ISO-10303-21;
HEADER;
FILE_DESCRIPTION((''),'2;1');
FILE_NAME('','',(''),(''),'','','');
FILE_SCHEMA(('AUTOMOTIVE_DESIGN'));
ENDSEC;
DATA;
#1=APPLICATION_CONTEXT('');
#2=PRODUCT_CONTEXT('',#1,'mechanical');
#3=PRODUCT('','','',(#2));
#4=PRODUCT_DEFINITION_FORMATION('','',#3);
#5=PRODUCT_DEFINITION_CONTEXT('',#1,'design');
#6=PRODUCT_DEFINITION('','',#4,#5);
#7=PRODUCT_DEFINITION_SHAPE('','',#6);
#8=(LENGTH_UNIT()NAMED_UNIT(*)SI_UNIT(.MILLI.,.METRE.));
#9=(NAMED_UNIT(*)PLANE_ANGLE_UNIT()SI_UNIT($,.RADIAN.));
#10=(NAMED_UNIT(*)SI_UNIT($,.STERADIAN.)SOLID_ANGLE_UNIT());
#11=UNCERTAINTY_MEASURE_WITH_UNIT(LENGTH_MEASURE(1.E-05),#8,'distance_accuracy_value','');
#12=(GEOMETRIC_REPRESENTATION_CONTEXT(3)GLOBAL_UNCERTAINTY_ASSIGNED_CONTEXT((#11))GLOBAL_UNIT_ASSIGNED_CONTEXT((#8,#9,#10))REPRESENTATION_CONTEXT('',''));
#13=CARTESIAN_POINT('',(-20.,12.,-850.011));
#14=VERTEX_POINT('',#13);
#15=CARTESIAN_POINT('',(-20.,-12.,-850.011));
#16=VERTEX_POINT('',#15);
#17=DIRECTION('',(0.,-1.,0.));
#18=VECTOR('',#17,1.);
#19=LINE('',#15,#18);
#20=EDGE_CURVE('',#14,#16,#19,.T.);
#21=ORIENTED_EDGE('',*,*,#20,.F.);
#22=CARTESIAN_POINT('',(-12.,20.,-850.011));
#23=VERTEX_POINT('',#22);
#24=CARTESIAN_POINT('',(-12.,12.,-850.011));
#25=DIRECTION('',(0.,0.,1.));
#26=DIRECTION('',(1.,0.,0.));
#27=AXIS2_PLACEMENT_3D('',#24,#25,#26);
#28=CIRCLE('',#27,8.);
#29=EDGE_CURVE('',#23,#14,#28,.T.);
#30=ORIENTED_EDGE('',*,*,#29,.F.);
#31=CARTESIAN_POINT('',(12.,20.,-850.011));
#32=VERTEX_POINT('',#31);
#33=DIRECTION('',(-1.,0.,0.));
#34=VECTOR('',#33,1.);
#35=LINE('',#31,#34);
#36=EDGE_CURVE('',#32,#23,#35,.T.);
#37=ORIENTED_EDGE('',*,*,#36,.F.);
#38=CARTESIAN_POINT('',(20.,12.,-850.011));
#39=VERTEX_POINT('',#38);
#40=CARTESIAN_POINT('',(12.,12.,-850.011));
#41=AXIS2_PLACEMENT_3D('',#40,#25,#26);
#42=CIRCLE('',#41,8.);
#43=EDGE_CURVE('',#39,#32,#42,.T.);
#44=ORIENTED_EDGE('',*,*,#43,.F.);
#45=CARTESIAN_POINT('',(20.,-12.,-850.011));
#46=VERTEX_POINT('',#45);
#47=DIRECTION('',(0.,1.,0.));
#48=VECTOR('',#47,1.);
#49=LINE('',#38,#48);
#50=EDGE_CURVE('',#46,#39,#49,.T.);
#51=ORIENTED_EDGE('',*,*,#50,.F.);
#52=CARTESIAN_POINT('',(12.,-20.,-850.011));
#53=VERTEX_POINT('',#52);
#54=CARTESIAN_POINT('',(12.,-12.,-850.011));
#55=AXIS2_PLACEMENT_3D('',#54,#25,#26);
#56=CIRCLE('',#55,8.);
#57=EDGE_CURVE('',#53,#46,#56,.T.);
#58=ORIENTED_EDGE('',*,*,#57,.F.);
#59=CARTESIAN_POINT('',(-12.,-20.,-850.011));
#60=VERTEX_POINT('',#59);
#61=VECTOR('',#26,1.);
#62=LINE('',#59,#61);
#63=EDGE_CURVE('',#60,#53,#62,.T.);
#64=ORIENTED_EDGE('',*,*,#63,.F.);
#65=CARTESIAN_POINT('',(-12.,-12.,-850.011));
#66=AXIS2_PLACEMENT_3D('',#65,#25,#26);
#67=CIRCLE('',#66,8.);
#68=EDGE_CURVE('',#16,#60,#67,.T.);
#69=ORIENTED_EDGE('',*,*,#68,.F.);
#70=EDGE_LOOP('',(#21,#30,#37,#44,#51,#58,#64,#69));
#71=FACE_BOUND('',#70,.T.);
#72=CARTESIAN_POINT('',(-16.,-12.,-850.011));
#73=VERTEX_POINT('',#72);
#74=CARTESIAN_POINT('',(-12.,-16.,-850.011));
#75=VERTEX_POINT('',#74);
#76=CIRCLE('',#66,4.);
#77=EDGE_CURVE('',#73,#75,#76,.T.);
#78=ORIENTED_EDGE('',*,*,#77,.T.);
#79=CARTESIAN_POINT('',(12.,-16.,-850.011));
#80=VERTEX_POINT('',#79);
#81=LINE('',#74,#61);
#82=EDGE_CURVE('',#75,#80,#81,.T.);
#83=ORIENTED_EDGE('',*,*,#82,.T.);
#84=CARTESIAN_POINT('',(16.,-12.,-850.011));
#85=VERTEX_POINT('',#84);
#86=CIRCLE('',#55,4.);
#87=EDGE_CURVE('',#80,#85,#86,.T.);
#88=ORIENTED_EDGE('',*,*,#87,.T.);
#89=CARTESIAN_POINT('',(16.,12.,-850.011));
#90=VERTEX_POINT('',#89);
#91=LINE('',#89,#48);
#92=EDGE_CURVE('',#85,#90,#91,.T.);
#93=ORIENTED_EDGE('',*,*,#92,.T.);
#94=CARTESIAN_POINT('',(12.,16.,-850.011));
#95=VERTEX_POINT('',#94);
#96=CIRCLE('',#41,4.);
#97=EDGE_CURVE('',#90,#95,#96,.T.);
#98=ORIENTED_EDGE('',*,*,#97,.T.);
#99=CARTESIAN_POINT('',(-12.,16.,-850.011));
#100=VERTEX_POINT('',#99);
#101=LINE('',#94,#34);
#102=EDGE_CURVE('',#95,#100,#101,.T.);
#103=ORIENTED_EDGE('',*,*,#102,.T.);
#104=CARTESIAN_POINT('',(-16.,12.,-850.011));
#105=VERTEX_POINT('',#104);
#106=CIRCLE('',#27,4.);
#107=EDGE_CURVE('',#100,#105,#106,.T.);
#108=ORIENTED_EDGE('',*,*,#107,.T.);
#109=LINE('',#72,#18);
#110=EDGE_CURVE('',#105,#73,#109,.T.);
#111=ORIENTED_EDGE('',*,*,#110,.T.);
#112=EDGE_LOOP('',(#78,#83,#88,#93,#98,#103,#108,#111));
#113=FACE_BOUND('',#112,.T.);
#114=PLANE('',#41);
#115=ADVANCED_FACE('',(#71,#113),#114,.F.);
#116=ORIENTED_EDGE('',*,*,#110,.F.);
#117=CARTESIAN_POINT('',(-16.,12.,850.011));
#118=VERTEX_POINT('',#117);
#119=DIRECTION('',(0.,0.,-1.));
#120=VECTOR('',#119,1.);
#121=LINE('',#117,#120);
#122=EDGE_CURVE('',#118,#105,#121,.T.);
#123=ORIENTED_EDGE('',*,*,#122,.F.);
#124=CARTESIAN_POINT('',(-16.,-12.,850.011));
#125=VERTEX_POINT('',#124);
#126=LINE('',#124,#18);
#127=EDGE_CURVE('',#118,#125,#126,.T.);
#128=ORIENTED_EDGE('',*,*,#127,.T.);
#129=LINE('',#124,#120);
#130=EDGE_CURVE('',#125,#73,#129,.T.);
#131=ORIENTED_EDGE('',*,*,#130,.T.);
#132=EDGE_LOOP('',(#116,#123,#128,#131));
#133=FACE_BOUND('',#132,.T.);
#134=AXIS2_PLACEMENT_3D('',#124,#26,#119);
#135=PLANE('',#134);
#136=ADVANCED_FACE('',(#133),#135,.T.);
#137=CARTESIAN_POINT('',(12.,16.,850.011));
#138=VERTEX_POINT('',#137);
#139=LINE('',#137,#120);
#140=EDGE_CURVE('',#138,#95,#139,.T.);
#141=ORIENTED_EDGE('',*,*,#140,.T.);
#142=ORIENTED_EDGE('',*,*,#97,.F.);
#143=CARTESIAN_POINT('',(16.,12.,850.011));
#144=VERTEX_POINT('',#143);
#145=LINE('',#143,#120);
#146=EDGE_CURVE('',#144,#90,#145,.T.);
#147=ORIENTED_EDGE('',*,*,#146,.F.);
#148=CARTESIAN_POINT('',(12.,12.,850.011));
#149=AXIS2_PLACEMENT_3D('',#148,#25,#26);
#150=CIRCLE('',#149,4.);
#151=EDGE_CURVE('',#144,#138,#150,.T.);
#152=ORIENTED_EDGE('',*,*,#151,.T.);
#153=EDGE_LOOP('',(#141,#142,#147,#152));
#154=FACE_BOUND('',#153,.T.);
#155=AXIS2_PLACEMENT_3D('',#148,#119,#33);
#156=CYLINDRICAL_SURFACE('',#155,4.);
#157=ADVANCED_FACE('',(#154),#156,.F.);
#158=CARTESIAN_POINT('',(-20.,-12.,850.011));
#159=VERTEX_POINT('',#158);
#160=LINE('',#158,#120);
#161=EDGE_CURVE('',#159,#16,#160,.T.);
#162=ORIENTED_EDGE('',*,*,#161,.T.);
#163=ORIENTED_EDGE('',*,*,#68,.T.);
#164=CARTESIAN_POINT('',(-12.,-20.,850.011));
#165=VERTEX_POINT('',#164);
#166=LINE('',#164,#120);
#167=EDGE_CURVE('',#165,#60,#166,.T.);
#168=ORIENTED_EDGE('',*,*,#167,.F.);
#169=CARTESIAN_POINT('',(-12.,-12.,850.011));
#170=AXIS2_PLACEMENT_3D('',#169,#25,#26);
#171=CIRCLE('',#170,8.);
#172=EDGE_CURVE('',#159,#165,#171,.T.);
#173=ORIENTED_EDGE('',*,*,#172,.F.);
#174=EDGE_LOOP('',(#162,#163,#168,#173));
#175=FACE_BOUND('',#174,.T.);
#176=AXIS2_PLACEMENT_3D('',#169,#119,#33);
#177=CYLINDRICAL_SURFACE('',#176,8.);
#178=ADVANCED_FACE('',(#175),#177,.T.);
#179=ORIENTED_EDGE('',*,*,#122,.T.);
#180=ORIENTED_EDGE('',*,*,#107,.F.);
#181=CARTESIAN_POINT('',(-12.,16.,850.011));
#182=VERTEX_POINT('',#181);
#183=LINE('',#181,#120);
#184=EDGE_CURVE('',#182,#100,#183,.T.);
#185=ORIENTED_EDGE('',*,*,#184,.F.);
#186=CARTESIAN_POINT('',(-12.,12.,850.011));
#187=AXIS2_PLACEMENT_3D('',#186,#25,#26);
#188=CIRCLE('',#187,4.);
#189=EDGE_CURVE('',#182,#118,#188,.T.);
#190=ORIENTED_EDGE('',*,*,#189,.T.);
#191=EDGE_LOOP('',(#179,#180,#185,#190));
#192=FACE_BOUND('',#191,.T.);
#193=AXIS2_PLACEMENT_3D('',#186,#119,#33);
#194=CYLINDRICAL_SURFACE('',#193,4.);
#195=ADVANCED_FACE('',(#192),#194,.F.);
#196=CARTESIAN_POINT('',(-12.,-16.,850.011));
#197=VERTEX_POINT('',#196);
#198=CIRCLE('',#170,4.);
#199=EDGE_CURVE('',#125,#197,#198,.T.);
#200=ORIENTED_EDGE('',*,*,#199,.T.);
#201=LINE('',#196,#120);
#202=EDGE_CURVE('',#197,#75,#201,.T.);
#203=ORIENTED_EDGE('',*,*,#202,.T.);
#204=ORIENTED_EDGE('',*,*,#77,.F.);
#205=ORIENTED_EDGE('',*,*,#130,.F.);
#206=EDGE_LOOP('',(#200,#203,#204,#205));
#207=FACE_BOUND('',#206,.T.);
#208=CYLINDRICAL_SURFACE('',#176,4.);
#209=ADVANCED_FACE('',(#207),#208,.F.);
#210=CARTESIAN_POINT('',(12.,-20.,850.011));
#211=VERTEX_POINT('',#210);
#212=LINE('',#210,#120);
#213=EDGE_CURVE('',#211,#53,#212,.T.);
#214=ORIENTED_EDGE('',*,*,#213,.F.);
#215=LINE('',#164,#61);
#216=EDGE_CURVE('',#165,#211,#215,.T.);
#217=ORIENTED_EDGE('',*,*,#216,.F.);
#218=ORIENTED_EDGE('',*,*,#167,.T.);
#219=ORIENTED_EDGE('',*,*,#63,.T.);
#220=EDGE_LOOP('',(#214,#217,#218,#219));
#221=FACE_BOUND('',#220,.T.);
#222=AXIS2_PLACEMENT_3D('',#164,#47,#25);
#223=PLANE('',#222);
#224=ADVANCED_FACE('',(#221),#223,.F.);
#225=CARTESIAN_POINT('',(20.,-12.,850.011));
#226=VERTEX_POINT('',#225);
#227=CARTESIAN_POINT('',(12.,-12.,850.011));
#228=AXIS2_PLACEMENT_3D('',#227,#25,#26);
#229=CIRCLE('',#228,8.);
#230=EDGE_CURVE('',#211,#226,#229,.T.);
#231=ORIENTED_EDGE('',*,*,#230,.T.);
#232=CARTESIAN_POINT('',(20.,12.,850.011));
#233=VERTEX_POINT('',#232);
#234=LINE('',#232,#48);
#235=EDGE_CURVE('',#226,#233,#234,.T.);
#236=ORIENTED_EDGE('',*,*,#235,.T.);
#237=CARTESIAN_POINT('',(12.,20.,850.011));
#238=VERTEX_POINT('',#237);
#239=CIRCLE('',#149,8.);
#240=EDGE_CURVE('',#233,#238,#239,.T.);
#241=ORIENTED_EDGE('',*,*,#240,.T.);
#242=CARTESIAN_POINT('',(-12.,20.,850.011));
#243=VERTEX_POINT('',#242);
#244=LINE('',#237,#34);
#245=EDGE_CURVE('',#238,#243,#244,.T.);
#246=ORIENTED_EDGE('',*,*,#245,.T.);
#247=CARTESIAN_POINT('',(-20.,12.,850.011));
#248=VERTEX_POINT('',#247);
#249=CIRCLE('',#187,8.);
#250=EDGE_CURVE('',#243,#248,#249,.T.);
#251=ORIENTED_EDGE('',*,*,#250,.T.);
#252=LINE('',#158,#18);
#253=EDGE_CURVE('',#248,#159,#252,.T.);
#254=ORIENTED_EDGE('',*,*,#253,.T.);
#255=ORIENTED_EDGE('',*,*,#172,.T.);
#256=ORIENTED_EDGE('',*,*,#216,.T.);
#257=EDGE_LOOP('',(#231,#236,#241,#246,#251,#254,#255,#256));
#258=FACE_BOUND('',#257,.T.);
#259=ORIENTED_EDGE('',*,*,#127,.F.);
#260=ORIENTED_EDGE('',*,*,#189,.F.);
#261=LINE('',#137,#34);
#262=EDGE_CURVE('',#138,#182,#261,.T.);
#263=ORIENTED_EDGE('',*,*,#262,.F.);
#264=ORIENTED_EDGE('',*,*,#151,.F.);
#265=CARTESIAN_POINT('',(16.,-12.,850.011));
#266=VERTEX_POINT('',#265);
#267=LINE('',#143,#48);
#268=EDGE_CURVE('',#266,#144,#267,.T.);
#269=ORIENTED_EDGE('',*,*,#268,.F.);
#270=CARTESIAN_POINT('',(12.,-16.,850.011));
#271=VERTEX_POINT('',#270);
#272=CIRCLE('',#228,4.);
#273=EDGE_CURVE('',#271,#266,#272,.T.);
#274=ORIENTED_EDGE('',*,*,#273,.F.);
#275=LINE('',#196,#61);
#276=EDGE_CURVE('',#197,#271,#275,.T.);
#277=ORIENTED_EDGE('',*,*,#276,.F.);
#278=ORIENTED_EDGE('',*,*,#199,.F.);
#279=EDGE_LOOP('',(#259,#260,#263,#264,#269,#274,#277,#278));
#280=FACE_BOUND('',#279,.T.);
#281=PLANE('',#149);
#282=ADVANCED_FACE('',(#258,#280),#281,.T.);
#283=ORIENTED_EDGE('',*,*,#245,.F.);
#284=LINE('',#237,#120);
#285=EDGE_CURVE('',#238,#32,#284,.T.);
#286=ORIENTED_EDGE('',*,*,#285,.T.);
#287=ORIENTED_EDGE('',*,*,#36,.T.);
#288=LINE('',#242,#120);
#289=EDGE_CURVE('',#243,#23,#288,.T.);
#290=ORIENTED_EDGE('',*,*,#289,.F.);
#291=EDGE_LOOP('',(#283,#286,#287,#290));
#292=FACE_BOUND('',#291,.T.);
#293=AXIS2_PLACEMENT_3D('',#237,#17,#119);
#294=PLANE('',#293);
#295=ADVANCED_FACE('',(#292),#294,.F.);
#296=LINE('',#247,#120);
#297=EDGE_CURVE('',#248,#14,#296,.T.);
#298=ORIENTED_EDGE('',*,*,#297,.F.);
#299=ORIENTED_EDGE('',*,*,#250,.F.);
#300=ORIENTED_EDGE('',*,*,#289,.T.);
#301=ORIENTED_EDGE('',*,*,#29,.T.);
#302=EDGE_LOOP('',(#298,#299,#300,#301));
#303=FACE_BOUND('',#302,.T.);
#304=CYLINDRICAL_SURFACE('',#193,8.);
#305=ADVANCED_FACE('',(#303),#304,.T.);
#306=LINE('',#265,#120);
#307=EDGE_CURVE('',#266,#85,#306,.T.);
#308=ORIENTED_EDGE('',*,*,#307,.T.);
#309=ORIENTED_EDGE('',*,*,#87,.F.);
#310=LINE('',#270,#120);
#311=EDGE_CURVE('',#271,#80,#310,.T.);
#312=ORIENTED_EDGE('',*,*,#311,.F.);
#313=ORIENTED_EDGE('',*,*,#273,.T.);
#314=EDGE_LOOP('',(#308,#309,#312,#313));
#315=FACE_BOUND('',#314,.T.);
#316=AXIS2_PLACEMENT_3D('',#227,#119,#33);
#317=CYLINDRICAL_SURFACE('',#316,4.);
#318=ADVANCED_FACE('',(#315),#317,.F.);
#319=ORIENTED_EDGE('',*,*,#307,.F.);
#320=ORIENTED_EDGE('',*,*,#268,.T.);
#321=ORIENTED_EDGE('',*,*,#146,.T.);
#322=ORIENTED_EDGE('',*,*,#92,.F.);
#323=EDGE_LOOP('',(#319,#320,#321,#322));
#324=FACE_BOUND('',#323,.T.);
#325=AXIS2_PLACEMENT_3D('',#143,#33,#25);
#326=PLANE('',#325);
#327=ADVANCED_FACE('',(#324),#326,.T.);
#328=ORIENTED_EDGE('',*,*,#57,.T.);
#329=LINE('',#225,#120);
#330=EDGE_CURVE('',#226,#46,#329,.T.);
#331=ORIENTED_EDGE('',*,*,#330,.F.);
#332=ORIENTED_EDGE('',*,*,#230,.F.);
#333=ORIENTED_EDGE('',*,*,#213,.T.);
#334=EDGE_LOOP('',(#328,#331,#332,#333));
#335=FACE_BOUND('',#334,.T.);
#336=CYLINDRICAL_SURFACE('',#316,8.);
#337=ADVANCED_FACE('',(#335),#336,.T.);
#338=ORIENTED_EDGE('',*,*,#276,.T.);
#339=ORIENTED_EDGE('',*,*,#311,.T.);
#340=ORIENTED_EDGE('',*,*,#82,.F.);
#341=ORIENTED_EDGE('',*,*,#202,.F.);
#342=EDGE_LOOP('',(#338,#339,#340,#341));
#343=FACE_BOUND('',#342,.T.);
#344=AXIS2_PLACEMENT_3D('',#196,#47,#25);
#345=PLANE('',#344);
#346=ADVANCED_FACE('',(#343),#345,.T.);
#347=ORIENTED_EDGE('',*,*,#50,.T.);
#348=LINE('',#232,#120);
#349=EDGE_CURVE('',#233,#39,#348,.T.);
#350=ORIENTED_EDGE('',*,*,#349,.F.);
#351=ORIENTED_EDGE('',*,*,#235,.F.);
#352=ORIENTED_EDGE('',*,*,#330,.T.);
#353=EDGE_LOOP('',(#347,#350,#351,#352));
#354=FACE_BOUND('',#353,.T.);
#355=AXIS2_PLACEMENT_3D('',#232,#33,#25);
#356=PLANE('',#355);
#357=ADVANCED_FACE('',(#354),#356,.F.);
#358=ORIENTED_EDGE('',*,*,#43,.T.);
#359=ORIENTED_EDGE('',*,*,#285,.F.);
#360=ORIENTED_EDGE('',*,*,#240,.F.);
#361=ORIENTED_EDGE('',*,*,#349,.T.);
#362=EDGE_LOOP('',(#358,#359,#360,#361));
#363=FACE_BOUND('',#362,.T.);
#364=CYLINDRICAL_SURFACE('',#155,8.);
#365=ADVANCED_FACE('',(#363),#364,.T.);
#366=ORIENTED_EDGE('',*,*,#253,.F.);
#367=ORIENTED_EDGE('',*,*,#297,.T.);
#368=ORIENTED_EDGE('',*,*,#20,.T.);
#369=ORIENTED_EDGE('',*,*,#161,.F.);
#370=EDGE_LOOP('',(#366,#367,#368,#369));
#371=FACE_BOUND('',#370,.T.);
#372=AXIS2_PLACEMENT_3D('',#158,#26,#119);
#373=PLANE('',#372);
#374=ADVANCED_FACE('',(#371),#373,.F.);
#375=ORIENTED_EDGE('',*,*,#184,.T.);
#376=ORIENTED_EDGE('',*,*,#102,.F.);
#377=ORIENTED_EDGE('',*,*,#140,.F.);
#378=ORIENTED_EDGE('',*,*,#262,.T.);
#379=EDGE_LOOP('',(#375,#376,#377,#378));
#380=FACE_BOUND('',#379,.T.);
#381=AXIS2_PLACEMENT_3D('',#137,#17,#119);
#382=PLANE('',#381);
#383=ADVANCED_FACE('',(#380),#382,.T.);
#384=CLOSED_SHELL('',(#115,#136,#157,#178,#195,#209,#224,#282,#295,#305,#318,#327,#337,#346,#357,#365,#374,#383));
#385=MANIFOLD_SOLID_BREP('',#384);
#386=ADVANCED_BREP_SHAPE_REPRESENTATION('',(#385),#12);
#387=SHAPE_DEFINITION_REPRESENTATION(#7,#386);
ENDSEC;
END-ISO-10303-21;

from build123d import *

# Parameters (mm, degrees)
SQUARE_TUBE_40_X_40_X_4_2_DEPTH = 1700.022


with BuildPart() as part:
    # Sketch13 → Square tube 40 X 40 X 4(2) (new body)
    with BuildSketch(Plane.XY.offset(-850.011)):
        with BuildLine():
            Line((-12, -20), (12, -20))
            ThreePointArc((12, -20), (17.656854249, -17.656854249), (20, -12))
            Line((20, -12), (20, 12))
            ThreePointArc((20, 12), (17.656854249, 17.656854249), (12, 20))
            Line((12, 20), (-12, 20))
            ThreePointArc((-12, 20), (-17.656854249, 17.656854249), (-20, 12))
            Line((-20, 12), (-20, -12))
            ThreePointArc((-20, -12), (-17.656854249, -17.656854249), (-12, -20))
        make_face()
        with BuildLine():
            Line((-12, -16), (12, -16))
            ThreePointArc((12, -16), (14.828427125, -14.828427125), (16, -12))
            Line((16, -12), (16, 12))
            ThreePointArc((16, 12), (14.828427125, 14.828427125), (12, 16))
            Line((12, 16), (-12, 16))
            ThreePointArc((-12, 16), (-14.828427125, 14.828427125), (-16, 12))
            Line((-16, 12), (-16, -12))
            ThreePointArc((-16, -12), (-14.828427125, -14.828427125), (-12, -16))
        make_face(mode=Mode.SUBTRACT)
    extrude(amount=SQUARE_TUBE_40_X_40_X_4_2_DEPTH)


solid = part.part
